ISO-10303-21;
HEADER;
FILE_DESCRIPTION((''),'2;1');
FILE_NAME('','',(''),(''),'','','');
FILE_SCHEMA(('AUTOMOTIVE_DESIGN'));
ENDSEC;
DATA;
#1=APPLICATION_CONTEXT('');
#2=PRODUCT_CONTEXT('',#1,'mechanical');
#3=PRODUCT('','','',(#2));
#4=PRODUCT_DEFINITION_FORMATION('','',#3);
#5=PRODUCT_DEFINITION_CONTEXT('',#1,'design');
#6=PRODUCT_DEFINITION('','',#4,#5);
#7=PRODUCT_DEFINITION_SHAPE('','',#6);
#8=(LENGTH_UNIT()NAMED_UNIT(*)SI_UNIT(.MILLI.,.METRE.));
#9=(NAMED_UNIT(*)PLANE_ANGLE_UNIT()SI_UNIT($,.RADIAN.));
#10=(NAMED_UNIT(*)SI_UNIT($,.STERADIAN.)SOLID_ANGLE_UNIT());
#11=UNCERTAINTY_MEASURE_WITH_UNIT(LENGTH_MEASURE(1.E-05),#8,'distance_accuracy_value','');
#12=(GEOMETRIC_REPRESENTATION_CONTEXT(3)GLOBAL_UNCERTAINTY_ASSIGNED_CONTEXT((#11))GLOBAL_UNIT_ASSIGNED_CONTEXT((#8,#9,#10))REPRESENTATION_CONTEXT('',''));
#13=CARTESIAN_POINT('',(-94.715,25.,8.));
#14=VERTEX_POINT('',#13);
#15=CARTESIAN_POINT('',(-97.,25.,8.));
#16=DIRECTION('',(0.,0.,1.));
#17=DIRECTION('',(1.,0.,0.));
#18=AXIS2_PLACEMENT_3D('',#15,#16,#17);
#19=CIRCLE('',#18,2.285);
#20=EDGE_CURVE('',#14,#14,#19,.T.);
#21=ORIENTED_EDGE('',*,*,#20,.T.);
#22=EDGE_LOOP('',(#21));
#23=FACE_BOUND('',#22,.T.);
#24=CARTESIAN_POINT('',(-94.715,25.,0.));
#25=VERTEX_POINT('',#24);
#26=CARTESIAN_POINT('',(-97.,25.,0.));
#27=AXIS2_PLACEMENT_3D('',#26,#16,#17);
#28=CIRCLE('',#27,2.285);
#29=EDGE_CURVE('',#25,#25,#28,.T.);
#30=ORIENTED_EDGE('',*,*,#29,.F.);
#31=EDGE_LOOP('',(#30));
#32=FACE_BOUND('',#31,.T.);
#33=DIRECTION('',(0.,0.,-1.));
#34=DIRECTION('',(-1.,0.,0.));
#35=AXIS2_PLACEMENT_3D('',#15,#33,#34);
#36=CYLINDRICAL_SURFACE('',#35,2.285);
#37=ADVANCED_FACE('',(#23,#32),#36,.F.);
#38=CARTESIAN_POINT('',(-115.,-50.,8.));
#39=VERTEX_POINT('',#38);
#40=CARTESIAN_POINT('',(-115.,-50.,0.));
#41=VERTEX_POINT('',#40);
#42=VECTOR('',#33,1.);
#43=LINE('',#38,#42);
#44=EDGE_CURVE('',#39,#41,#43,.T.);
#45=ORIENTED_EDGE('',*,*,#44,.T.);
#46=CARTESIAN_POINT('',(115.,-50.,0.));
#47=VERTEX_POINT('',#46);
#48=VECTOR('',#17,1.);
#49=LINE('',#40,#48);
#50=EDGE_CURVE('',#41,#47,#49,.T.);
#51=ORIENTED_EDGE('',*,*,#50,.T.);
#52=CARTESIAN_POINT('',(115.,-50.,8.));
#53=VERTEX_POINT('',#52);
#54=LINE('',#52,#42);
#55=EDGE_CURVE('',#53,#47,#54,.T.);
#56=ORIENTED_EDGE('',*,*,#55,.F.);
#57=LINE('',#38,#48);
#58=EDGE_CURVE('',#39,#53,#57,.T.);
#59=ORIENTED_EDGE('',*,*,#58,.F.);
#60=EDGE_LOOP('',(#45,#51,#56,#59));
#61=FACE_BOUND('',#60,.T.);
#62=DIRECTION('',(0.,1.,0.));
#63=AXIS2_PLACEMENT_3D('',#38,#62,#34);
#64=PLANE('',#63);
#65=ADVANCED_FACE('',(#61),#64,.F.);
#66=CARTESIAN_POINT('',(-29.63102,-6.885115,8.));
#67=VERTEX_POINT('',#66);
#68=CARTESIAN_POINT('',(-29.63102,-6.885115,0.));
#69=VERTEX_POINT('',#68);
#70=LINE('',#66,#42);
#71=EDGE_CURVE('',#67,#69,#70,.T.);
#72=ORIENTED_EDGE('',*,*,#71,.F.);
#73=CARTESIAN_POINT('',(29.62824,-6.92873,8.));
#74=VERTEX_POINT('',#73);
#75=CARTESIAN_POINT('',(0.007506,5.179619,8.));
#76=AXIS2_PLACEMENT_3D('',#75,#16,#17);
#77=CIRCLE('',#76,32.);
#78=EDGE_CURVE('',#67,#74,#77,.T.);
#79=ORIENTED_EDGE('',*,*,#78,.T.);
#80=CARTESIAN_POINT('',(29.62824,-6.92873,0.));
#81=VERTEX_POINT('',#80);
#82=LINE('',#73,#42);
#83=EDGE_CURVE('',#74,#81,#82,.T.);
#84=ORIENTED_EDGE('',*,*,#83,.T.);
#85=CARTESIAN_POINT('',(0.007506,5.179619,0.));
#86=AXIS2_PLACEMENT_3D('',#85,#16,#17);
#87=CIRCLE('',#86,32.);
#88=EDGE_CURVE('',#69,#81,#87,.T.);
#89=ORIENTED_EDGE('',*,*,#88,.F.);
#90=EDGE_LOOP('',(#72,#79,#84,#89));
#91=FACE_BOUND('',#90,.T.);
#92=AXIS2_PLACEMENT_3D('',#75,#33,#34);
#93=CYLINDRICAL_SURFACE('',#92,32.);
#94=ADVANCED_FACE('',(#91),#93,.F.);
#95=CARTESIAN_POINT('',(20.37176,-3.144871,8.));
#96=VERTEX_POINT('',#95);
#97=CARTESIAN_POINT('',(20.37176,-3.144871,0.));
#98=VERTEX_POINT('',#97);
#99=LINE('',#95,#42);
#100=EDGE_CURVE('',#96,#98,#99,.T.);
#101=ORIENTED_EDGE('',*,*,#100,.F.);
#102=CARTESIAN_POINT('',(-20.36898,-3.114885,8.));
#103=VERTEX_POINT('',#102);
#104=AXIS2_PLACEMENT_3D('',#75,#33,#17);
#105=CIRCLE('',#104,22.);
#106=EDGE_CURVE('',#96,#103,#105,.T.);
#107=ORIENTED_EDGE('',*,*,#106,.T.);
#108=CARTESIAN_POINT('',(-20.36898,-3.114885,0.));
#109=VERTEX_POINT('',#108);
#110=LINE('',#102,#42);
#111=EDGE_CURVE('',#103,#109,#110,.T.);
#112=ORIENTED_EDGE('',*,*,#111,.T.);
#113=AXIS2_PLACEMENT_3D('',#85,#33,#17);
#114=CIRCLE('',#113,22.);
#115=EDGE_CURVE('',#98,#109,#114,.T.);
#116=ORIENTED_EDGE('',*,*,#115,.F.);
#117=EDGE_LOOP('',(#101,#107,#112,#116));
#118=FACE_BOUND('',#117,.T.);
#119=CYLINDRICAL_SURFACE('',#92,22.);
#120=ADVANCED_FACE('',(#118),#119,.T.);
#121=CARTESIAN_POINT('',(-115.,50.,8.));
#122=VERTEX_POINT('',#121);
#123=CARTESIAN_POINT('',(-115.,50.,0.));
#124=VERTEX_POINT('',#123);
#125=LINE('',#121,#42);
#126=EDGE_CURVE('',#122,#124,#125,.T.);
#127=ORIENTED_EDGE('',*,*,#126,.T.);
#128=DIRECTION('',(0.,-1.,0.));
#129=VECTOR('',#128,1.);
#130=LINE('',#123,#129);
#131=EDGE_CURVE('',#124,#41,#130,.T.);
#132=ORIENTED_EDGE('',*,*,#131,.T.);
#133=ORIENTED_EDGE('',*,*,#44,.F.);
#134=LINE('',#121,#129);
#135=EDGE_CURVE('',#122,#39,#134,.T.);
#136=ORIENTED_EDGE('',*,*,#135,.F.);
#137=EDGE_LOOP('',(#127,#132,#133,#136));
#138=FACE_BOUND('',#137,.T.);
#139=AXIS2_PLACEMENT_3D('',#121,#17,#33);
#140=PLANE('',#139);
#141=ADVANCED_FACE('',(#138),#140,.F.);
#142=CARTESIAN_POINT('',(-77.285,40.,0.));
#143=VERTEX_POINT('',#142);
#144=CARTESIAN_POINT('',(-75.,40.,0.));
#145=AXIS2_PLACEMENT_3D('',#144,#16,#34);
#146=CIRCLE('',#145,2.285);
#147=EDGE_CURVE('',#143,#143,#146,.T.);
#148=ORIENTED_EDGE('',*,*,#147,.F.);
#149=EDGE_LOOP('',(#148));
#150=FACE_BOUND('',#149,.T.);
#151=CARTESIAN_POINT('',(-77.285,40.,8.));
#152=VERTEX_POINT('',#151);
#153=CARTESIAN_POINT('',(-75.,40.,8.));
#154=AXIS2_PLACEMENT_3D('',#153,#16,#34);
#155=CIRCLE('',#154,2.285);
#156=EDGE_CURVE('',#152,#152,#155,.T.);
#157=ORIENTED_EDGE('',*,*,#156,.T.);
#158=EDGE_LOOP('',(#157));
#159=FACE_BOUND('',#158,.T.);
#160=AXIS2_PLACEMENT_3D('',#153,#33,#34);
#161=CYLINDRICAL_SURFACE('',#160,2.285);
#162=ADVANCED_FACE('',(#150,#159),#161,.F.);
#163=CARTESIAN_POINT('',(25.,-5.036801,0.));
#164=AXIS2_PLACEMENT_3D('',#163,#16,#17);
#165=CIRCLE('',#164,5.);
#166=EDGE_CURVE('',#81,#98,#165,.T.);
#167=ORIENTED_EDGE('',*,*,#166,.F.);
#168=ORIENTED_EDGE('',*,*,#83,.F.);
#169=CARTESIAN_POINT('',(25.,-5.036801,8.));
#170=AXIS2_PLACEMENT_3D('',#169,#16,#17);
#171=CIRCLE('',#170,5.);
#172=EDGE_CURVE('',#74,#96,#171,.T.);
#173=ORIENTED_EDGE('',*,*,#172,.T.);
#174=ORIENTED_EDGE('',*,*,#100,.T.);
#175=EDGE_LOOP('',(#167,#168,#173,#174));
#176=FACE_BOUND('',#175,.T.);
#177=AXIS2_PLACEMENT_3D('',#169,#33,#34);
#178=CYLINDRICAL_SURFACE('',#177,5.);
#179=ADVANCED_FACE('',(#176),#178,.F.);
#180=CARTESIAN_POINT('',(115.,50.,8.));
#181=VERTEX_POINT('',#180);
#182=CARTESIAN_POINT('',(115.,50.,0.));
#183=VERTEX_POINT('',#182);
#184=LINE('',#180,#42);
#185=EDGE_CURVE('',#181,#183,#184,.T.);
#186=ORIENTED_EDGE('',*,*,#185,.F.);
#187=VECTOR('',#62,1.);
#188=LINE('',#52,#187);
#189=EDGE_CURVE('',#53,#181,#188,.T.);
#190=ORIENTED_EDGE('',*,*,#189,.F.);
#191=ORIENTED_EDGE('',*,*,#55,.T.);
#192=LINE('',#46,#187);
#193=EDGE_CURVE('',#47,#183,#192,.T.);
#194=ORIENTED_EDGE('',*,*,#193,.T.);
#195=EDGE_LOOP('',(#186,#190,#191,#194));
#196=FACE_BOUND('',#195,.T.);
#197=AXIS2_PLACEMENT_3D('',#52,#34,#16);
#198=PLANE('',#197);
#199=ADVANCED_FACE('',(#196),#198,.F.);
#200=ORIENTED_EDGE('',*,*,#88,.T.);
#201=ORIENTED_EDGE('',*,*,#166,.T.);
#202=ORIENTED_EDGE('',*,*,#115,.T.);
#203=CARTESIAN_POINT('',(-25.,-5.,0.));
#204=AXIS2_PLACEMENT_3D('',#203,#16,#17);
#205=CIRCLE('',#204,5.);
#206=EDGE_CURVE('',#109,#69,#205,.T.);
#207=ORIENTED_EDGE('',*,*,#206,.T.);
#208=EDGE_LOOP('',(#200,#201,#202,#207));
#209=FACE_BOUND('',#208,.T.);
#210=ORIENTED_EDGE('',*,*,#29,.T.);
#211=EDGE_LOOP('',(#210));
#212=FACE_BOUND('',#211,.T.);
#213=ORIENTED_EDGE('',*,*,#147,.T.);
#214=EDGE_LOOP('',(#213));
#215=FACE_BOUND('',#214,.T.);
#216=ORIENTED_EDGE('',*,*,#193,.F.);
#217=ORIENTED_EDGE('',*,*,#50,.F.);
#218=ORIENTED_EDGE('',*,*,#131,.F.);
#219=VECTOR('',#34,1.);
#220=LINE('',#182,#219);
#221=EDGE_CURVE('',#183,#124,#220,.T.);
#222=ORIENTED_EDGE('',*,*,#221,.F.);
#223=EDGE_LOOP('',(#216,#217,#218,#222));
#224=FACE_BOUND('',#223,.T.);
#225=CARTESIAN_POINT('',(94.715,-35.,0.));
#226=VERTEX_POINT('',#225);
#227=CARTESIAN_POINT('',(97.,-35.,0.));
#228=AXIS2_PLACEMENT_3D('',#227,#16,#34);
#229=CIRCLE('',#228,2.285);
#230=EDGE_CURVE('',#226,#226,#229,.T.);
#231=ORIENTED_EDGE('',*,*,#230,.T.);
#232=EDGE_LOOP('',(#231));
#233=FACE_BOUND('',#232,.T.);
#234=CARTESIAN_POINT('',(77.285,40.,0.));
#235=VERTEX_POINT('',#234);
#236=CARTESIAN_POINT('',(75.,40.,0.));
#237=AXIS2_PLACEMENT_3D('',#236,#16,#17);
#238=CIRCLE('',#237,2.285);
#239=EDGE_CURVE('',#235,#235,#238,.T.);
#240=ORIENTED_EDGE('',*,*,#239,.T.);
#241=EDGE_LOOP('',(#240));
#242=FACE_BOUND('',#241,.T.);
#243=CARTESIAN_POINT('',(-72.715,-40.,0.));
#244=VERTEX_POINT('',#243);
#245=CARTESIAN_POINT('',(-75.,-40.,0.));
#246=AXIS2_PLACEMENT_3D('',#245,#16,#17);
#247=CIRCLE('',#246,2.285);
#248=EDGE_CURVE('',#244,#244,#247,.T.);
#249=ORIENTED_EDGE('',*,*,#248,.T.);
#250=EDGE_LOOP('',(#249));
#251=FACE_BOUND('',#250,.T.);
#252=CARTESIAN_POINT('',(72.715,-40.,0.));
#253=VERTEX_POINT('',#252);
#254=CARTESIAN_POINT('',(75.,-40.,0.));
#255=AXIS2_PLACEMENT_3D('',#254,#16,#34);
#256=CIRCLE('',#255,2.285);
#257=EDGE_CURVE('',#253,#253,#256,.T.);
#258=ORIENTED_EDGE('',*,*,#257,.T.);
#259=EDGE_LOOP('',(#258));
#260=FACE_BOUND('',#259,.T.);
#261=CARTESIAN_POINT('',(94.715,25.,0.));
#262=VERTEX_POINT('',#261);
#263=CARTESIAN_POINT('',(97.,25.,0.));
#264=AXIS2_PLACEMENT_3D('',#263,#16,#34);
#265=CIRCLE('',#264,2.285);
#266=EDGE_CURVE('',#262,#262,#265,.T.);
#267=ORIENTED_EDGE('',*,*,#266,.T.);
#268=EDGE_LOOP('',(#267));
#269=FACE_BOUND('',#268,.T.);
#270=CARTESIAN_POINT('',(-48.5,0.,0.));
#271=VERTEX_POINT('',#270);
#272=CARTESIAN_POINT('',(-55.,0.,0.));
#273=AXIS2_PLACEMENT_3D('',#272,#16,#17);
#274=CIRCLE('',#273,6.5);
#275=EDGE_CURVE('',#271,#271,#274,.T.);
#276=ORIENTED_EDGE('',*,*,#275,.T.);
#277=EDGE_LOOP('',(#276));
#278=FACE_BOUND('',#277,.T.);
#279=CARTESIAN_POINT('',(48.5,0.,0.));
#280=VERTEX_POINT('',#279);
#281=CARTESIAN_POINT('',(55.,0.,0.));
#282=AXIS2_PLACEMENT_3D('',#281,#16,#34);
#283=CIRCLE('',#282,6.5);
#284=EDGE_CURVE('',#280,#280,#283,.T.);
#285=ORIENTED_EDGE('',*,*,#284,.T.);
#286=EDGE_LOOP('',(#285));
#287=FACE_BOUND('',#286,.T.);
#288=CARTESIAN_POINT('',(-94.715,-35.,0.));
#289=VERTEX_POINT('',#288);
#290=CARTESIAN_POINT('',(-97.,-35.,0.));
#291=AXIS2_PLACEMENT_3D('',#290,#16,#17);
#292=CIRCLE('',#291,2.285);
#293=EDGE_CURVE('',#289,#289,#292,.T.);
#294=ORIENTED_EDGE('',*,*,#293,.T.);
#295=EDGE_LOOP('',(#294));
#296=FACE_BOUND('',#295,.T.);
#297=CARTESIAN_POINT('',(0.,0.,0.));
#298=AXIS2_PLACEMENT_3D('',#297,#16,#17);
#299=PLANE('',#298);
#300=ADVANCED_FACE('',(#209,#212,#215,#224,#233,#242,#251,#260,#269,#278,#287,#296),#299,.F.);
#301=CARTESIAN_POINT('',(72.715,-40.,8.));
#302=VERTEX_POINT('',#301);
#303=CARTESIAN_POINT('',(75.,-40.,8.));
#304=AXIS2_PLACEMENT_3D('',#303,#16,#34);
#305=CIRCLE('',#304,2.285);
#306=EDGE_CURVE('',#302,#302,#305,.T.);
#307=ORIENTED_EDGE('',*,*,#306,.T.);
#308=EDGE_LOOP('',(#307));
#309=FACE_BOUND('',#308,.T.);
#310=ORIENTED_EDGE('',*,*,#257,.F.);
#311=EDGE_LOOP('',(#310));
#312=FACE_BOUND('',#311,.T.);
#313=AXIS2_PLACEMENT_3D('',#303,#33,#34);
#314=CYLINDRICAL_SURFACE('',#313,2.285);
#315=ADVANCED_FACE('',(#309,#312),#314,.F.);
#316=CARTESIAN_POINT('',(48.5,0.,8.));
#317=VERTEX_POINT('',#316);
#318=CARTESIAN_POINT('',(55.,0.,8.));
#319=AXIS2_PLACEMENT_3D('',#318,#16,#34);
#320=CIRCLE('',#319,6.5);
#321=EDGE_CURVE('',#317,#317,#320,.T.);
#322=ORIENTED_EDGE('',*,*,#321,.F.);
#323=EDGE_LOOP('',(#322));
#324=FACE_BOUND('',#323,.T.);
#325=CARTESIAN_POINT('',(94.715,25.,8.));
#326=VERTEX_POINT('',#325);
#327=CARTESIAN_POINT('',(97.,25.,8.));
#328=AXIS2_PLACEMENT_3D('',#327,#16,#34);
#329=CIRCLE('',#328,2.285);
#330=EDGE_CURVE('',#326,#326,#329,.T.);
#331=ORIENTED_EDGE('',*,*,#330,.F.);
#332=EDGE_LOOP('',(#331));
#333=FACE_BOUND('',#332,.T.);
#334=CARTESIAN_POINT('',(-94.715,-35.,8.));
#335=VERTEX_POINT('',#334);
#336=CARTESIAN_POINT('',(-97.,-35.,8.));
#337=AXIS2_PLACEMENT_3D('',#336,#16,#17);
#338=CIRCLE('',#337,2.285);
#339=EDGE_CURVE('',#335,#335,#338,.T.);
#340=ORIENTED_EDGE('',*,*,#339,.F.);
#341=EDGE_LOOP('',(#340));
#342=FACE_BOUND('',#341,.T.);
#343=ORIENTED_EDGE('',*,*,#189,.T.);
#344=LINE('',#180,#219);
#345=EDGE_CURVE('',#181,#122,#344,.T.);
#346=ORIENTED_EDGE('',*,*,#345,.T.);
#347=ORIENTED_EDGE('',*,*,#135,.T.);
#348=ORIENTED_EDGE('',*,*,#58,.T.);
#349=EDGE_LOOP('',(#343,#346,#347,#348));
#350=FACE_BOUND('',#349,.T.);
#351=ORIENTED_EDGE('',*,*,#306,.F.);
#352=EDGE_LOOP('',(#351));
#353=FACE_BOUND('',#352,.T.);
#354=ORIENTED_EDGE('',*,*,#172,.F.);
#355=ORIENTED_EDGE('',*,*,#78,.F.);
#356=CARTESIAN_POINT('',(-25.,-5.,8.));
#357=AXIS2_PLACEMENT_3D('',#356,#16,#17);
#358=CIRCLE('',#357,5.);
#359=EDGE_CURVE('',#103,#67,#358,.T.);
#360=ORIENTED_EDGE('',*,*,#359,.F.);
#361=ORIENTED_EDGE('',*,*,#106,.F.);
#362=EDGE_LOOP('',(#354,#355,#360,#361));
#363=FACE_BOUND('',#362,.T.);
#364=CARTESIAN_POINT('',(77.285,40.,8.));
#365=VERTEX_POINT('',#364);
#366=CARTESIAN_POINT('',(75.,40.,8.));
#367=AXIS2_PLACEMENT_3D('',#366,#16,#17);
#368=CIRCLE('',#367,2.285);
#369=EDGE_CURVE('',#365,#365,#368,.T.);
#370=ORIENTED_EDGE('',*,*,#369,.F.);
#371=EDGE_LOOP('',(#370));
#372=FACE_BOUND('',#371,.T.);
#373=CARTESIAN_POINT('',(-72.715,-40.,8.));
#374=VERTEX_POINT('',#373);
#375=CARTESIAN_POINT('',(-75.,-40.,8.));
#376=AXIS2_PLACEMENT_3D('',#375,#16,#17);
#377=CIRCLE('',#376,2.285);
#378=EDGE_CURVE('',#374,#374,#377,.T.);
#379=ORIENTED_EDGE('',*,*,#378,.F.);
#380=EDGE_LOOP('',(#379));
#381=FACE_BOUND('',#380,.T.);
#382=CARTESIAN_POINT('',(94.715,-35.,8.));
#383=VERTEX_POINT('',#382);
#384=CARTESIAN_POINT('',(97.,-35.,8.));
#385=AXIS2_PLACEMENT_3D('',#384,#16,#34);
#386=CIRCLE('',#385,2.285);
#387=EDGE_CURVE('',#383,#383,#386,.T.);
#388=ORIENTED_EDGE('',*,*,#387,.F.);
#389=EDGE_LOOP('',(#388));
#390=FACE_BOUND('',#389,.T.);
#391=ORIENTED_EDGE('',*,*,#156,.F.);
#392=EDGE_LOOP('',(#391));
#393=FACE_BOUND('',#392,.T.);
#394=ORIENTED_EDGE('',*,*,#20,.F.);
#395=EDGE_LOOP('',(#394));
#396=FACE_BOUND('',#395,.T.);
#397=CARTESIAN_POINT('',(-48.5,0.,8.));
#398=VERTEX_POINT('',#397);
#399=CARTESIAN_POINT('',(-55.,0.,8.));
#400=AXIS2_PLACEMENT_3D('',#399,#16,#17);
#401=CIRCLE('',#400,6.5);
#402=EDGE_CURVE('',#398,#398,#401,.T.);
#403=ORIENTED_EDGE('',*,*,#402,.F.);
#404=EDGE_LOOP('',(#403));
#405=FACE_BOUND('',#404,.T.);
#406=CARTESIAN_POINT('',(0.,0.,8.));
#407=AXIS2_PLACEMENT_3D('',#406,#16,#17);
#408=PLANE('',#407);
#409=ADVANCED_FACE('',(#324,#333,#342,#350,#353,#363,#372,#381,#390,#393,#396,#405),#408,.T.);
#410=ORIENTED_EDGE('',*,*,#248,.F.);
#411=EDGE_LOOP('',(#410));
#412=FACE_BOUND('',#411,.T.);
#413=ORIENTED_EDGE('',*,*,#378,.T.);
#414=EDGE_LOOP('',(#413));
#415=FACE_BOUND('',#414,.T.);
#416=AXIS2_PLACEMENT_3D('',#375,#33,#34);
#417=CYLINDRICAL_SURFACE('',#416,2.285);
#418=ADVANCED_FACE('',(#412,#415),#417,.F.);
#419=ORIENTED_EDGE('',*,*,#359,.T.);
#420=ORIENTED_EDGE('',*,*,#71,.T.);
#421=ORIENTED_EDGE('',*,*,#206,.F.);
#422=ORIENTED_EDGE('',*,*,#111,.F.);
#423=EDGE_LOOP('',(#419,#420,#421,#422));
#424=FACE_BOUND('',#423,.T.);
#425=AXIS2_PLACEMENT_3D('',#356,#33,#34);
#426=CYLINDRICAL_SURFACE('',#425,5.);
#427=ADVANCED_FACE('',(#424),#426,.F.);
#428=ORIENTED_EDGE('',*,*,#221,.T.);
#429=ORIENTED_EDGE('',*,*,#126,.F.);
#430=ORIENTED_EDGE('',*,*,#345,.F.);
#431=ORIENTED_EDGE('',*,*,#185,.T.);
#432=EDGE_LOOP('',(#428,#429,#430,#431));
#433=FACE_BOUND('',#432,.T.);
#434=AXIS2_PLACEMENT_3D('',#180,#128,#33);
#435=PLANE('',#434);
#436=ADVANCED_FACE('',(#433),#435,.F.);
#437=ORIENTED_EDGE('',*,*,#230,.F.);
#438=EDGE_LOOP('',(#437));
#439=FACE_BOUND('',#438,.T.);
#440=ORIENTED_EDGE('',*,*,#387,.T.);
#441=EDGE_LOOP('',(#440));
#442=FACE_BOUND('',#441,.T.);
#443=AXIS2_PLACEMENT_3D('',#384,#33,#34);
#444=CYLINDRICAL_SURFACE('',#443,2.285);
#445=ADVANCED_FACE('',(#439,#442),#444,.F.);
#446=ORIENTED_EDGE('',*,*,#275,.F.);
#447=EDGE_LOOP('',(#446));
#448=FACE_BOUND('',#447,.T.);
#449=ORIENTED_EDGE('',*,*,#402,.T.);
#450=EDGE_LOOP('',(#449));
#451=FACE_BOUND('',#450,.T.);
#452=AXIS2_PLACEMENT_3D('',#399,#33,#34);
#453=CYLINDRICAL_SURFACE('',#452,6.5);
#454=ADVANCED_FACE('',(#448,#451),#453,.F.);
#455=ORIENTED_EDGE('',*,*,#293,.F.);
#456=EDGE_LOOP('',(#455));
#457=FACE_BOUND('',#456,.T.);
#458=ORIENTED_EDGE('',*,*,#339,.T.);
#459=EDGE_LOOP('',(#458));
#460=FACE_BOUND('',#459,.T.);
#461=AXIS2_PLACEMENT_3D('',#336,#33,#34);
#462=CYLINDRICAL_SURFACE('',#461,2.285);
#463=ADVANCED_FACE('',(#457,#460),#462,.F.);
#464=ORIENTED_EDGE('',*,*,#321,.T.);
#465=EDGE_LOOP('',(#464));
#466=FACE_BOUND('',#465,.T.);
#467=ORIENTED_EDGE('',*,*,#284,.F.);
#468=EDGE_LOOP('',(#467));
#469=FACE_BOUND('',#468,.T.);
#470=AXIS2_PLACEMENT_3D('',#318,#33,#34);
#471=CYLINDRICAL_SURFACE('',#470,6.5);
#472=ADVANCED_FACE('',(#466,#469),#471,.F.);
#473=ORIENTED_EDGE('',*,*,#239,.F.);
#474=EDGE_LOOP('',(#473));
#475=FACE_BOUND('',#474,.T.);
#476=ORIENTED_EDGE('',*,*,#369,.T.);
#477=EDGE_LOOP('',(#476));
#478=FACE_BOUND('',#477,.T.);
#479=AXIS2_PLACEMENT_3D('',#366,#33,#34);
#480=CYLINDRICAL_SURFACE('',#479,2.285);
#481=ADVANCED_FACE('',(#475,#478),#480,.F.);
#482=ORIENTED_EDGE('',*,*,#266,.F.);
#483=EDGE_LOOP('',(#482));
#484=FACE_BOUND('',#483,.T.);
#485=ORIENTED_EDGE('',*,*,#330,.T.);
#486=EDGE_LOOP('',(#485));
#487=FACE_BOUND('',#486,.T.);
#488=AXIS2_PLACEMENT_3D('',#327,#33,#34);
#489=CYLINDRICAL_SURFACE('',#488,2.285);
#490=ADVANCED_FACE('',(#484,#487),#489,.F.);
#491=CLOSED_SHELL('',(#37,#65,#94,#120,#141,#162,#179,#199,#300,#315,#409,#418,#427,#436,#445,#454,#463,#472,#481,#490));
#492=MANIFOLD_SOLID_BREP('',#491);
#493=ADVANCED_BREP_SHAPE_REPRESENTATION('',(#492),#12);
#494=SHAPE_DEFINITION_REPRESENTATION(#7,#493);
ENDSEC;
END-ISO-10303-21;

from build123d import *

# Parameters (mm, degrees)
SKETCH1_W           = 230
SKETCH1_H           = 100
SKETCH1_R           = 2.285
SKETCH1_R_2         = 6.5
BOSS_EXTRUDE1_DEPTH = 8


with BuildPart() as part:
    # Sketch1 → Boss-Extrude1 (new body)
    with BuildSketch(Plane.XY):
        Rectangle(SKETCH1_W, SKETCH1_H)
        with Locations((-97, 25)):
            Circle(SKETCH1_R, mode=Mode.SUBTRACT)
        with Locations((-97, -35)):
            Circle(SKETCH1_R, mode=Mode.SUBTRACT)
        with Locations((-75, -40)):
            Circle(SKETCH1_R, mode=Mode.SUBTRACT)
        with Locations(Location((75, -40, 0), (0, 0, 180))):
            Circle(SKETCH1_R, mode=Mode.SUBTRACT)
        with Locations(Location((97, -35, 0), (0, 0, 180))):
            Circle(SKETCH1_R, mode=Mode.SUBTRACT)
        with Locations(Location((97, 25, 0), (0, 0, 180))):
            Circle(SKETCH1_R, mode=Mode.SUBTRACT)
        with Locations((75, 40)):
            Circle(SKETCH1_R, mode=Mode.SUBTRACT)
        with Locations(Location((-75, 40, 0), (0, 0, 180))):
            Circle(SKETCH1_R, mode=Mode.SUBTRACT)
        with Locations((-55, 0)):
            Circle(SKETCH1_R_2, mode=Mode.SUBTRACT)
        with Locations(Location((55, 0, 0), (0, 0, 180))):
            Circle(SKETCH1_R_2, mode=Mode.SUBTRACT)
        with BuildLine():
            ThreePointArc((-29.631019604, -6.885114698), (-0.016046511, -26.820371965), (29.628239655, -6.928730219))
            ThreePointArc((29.628239655, -6.928730219), (26.891929623, -0.408560941), (20.371760345, -3.144870973))
            ThreePointArc((20.371760345, -3.144870973), (-0.008686394, -16.820374674), (-20.368980396, -3.114885302))
            ThreePointArc((-20.368980396, -3.114885302), (-26.885114698, -0.368980396), (-29.631019604, -6.885114698))
        make_face(mode=Mode.SUBTRACT)
    extrude(amount=BOSS_EXTRUDE1_DEPTH)


solid = part.part
